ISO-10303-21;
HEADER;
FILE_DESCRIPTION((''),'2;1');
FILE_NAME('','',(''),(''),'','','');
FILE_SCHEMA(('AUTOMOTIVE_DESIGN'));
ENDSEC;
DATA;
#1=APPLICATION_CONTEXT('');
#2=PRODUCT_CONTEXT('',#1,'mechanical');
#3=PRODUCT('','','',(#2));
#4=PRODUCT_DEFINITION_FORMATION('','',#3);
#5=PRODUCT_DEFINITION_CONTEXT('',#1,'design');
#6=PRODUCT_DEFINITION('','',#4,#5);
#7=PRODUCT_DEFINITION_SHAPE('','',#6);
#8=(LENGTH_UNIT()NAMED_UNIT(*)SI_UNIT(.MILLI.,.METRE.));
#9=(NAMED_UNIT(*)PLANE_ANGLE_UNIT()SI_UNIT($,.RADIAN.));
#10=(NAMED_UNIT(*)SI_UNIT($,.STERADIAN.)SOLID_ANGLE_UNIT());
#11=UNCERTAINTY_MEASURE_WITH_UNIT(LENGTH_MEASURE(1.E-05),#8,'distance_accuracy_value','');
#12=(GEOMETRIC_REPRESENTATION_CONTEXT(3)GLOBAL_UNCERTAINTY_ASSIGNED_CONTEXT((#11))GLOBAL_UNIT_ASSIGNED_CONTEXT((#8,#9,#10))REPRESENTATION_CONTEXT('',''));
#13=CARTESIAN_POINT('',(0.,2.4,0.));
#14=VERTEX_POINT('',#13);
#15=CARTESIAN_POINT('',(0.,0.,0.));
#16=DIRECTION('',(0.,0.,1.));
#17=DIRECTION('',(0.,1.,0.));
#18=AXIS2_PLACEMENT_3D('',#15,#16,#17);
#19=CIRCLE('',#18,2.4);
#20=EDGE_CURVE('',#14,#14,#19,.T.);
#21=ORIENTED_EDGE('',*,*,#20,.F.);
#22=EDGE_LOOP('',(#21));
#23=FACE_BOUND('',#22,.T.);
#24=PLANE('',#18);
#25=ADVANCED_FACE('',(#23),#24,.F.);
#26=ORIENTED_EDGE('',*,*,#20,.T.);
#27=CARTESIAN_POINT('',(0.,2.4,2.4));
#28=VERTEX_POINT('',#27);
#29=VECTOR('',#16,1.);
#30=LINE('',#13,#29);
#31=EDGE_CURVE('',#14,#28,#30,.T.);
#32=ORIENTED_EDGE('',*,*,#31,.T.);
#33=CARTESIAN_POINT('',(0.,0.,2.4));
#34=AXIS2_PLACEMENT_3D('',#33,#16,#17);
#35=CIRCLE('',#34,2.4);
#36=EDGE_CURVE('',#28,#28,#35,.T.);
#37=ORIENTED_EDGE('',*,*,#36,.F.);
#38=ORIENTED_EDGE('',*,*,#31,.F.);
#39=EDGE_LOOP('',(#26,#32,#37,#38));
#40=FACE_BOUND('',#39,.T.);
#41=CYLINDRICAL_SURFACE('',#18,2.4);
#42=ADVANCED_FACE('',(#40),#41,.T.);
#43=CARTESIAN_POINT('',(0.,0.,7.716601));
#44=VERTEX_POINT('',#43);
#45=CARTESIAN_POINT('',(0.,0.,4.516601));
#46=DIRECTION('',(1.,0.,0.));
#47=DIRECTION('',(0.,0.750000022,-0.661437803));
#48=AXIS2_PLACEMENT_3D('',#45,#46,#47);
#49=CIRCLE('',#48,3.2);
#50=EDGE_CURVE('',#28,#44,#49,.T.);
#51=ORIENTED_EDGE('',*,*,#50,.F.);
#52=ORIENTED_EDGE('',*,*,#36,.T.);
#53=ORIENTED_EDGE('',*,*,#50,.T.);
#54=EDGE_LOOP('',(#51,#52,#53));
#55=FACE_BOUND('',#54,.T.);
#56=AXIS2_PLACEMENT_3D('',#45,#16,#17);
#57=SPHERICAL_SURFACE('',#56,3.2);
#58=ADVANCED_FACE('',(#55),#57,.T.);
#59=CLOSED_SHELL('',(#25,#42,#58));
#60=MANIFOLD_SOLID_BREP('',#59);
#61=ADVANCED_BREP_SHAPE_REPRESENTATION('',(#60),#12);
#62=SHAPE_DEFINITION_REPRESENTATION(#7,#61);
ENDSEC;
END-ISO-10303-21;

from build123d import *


with BuildPart() as f1:
    # F0 (on Right) → F1 (revolve)
    with BuildSketch(Plane.YZ):
        with BuildLine():
            Line((0, 7.716601), (0, 0))
            Line((0, 0), (2.4, 0))
            Line((2.4, 0), (2.4, 2.4))
            ThreePointArc((2.4, 2.4), (2.916601, 5.833202), (0, 7.716601))
        make_face()
    revolve(axis=Axis((0, 0, 3.858301), (0, 0, 1)))


solid = f1.part
